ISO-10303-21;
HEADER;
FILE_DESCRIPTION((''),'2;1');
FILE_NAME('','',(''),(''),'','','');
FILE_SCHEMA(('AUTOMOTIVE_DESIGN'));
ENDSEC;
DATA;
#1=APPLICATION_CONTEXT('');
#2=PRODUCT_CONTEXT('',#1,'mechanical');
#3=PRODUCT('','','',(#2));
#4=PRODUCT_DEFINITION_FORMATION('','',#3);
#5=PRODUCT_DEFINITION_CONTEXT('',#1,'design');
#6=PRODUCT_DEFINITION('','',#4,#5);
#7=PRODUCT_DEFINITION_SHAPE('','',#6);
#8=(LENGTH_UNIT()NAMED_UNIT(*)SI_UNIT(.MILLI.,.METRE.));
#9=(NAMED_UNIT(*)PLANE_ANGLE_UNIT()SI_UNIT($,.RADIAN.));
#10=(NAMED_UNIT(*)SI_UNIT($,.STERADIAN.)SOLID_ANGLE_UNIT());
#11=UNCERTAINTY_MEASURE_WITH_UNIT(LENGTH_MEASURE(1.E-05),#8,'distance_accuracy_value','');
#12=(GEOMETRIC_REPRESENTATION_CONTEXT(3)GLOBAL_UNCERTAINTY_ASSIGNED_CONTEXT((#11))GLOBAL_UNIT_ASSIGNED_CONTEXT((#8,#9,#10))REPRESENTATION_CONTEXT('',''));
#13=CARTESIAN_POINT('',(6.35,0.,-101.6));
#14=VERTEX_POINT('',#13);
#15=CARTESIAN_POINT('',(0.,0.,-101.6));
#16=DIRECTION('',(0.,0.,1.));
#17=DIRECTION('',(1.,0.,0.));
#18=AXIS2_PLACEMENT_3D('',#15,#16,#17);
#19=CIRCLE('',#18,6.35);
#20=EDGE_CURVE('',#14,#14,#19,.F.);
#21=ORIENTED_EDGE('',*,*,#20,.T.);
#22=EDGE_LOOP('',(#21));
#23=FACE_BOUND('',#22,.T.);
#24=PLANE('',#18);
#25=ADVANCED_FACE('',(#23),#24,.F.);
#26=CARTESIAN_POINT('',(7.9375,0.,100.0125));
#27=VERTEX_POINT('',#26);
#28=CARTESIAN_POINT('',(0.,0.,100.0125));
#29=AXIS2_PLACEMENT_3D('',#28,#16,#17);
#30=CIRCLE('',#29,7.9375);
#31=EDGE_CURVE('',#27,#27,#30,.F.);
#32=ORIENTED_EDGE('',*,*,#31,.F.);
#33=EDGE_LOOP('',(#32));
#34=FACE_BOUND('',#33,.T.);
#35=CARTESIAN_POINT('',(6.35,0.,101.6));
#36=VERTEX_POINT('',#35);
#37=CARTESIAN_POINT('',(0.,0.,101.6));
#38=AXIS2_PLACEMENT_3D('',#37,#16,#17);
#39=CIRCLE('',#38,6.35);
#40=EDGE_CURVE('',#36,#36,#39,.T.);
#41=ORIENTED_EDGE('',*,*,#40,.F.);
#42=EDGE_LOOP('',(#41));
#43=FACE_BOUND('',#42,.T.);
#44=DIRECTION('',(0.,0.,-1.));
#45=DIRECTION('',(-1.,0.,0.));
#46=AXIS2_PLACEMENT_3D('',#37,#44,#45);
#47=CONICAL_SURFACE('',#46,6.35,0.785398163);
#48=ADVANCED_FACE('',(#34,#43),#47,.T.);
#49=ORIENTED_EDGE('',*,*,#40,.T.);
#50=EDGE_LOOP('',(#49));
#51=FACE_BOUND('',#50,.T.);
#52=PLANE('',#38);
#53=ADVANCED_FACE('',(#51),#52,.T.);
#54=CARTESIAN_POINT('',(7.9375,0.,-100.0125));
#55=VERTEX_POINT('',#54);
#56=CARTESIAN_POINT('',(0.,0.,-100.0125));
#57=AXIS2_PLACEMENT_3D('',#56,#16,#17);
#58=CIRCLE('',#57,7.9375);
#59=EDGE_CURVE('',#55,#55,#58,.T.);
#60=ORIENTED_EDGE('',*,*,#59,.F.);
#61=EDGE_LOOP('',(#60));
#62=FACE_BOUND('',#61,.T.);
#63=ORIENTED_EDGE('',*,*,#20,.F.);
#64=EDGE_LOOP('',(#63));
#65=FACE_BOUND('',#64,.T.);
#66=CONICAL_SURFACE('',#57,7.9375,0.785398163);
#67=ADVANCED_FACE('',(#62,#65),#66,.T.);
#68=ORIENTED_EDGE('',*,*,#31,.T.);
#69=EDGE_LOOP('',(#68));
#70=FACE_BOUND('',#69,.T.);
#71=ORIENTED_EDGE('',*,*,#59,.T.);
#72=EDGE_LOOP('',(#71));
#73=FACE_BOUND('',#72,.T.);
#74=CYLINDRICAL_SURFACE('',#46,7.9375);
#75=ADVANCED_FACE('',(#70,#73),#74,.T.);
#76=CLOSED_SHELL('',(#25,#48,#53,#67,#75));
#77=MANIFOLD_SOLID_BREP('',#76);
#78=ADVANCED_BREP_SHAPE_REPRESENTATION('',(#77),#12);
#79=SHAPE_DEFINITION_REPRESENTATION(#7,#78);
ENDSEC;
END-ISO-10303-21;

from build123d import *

# Parameters (mm, degrees)
SKETCH3_R           = 7.9375
BOSS_EXTRUDE1_DEPTH = 101.6
CHAMFER1_SIZE       = 1.5875


with BuildPart() as part:
    # Sketch3 → Boss-Extrude1 (new, symmetric)
    with BuildSketch(Plane.XY):
        Circle(SKETCH3_R)
    extrude(amount=BOSS_EXTRUDE1_DEPTH, both=True)

    # Chamfer1
    chamfer1_edges = [part.edges().sort_by_distance(p)[0] for p in [
        (-7.9375, 0, -101.6),
        (-7.9375, 0, 101.6),
    ]]
    chamfer(chamfer1_edges, length=CHAMFER1_SIZE)


solid = part.part
